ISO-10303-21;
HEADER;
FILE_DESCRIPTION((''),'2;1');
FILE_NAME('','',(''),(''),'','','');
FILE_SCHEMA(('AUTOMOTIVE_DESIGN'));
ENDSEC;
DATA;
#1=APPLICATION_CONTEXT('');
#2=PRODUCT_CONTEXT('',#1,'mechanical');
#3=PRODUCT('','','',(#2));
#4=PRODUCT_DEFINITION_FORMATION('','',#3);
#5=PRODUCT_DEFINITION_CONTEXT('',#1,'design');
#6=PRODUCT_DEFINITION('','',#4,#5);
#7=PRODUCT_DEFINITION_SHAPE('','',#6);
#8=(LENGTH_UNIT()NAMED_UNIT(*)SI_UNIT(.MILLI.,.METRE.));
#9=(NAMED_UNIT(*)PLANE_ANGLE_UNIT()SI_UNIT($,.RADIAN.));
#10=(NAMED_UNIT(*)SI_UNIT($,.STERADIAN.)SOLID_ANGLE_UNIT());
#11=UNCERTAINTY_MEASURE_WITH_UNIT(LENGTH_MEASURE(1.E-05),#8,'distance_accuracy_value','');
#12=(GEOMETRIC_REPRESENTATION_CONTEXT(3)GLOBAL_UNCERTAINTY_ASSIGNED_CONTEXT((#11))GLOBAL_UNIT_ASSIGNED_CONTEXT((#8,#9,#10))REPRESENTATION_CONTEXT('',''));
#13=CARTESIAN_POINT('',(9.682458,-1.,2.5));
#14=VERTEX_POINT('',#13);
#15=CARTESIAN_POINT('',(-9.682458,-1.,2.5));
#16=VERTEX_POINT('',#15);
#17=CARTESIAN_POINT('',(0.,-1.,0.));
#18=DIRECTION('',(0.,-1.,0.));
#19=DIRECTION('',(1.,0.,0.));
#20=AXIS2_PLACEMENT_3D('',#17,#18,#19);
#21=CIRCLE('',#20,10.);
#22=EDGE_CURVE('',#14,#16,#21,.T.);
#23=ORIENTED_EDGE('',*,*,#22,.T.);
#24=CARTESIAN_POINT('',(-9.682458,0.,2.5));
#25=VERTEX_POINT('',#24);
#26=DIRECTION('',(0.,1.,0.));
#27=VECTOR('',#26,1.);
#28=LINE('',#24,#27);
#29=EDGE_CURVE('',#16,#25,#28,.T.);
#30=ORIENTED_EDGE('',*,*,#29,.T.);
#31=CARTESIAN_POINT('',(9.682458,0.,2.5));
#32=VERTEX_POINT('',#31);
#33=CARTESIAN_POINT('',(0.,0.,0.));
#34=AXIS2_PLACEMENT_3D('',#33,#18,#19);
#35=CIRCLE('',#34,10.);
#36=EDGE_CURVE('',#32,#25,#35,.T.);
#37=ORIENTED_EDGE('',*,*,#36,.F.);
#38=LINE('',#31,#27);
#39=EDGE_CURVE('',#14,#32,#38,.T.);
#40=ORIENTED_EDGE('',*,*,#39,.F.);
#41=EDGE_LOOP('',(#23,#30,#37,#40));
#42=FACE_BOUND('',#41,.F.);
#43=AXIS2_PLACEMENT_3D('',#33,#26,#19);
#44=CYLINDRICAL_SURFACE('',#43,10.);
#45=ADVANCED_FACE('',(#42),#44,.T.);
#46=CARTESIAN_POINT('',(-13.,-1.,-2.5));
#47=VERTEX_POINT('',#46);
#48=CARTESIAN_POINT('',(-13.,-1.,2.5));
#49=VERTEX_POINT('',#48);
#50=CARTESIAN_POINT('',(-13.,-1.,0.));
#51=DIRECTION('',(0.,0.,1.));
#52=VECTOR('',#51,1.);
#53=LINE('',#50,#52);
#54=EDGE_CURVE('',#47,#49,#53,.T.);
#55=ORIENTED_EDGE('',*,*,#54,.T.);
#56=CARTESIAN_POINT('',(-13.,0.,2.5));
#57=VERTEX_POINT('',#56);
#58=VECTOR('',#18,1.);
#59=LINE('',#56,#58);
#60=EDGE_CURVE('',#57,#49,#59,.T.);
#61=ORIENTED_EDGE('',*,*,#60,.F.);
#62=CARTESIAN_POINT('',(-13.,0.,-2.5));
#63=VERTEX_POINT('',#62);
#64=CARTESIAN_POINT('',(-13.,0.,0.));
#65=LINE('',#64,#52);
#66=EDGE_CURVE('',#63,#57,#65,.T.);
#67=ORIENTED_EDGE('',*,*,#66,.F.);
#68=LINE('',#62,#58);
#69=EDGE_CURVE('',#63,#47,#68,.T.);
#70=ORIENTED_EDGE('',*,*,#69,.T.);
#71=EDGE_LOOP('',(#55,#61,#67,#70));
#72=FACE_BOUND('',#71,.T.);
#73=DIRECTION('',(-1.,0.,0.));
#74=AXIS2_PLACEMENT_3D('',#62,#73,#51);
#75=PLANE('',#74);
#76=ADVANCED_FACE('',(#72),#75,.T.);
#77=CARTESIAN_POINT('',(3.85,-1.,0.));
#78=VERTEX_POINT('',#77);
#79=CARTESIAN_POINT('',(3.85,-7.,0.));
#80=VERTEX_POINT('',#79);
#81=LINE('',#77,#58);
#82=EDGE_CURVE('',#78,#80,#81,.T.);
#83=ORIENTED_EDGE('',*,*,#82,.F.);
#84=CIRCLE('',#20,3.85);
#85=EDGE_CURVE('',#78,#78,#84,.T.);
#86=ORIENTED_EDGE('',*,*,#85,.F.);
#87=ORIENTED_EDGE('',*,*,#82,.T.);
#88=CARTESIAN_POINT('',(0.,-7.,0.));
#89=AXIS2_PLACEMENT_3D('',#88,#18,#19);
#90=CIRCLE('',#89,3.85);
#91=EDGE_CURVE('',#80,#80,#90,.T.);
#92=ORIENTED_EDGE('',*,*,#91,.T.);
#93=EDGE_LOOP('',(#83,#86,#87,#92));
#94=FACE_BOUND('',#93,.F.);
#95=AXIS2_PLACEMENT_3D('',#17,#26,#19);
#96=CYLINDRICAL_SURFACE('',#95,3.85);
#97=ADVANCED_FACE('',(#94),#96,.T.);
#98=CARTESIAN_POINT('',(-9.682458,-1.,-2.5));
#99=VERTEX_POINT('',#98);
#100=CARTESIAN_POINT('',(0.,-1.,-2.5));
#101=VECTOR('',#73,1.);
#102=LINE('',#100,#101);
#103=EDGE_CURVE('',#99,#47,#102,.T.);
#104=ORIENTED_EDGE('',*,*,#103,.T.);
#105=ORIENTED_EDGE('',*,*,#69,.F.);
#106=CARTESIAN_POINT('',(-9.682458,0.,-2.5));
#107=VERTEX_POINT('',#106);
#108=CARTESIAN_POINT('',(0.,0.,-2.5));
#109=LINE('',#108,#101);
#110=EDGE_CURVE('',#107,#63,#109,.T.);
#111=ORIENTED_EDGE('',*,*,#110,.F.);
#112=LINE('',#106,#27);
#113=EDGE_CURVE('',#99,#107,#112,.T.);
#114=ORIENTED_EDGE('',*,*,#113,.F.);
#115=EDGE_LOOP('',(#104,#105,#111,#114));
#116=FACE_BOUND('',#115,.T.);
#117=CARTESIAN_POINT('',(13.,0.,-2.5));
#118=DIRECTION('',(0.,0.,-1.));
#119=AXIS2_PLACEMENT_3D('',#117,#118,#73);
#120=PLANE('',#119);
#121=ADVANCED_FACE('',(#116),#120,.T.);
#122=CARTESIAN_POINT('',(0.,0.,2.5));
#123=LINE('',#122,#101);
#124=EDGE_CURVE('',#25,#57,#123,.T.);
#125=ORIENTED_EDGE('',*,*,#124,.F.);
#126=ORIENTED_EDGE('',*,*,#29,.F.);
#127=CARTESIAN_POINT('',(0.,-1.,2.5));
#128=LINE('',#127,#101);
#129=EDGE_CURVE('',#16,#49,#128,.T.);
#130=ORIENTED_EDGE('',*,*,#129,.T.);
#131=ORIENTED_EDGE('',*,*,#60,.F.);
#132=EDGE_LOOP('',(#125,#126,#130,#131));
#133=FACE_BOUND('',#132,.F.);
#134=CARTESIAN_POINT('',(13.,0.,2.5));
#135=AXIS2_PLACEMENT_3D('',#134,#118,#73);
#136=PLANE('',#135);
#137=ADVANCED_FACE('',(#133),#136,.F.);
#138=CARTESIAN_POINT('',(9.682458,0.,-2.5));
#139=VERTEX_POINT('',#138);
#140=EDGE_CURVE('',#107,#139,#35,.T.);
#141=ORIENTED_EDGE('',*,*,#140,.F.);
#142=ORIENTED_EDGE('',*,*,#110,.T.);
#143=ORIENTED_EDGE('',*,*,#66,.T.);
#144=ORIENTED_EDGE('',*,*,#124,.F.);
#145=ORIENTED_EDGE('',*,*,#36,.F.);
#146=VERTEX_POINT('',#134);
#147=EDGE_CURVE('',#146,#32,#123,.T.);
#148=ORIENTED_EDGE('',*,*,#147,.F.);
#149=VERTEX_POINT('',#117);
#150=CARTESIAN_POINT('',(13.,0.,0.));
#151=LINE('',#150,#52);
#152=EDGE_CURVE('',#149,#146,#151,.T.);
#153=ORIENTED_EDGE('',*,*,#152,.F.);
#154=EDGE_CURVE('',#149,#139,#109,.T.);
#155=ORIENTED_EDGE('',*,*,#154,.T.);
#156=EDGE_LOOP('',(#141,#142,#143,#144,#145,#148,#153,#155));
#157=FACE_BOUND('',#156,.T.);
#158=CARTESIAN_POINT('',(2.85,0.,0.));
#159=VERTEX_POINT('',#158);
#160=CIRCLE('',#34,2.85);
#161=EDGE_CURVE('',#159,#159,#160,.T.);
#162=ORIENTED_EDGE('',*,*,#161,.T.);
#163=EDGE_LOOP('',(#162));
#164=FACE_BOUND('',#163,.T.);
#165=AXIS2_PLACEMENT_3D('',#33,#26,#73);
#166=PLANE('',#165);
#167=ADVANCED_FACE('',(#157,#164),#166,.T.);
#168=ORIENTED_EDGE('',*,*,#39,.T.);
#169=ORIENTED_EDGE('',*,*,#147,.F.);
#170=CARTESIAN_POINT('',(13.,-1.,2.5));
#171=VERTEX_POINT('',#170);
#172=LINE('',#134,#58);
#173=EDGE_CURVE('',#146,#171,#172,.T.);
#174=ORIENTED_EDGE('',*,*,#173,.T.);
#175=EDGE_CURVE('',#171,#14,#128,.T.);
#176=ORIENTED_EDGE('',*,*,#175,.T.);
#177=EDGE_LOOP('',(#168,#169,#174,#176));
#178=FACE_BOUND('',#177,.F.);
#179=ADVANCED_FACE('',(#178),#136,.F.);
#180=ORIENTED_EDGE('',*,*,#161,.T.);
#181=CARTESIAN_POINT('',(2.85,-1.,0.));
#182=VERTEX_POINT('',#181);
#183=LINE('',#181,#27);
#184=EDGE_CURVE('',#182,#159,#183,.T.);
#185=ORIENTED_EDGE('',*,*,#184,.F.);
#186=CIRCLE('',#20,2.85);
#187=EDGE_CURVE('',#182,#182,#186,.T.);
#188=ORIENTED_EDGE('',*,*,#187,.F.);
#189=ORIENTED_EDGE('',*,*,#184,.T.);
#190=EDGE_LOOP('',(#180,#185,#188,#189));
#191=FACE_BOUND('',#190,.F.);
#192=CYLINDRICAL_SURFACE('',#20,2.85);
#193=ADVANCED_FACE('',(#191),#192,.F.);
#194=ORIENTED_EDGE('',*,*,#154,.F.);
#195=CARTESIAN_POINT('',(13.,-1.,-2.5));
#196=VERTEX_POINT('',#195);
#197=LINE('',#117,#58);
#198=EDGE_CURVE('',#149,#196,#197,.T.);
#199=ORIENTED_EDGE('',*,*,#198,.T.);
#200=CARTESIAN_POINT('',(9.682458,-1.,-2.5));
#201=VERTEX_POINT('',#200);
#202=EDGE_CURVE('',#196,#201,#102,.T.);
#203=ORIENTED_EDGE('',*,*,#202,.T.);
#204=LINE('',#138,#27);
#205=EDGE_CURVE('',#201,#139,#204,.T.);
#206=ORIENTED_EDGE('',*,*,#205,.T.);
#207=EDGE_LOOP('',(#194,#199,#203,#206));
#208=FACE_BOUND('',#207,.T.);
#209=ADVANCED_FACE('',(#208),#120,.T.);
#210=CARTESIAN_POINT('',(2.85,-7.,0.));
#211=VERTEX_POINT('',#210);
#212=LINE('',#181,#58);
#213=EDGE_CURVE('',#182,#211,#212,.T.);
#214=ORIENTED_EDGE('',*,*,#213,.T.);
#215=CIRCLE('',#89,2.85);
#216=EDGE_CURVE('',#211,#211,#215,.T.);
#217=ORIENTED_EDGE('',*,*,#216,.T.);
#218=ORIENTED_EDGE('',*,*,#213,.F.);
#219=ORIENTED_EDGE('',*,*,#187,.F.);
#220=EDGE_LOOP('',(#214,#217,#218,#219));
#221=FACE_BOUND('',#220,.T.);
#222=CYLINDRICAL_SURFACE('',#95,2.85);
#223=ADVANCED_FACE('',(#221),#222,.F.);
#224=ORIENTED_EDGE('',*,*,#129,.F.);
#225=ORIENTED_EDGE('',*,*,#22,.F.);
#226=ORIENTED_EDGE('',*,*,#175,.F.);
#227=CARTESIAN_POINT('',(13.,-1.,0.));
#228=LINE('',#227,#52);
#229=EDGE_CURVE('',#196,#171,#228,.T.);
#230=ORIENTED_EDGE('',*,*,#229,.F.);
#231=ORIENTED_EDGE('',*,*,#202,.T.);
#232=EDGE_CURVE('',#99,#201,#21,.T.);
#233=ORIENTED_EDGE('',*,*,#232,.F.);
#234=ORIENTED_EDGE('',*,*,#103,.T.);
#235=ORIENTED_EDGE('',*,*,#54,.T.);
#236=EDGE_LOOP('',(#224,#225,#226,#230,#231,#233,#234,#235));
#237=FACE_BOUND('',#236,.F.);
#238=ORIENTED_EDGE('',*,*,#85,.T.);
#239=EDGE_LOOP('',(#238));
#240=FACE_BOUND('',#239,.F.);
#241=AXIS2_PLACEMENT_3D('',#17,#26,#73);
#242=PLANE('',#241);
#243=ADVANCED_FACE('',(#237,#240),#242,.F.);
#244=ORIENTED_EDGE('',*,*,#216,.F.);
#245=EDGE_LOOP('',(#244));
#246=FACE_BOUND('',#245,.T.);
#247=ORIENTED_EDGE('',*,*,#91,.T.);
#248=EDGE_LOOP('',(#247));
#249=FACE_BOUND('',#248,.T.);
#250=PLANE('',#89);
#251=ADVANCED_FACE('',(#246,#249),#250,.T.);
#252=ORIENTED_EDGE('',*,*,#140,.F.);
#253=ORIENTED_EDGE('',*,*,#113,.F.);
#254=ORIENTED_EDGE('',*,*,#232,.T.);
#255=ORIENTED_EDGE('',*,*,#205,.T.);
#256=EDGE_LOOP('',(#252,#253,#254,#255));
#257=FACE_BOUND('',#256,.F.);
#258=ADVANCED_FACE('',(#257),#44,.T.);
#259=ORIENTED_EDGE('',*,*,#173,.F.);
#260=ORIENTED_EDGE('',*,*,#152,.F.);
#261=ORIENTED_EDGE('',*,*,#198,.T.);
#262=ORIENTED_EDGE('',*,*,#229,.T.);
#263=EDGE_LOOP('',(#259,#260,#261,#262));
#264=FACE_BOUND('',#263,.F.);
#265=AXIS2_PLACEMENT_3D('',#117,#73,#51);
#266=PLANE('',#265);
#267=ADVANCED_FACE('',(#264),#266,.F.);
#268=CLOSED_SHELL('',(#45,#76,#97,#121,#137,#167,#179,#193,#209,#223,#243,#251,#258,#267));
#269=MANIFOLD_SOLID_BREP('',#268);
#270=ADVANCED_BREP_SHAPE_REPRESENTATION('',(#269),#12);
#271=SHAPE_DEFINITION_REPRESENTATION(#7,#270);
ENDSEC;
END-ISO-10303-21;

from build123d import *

# Parameters (mm, degrees)
F0_R          = 10
F1_DEPTH      = 1
F3_W          = 26
F3_H          = 5
F4_DEPTH      = 1
F5_R          = 3.85
F5_R_2        = 2.85
F7_DEPTH      = 6
F6_R          = 2.85
F8_DEPTH      = 6.001
F8_DEPTH_BACK = 1.001


with BuildPart() as f1:
    # F0 (on Front) → F1 (new body)
    with BuildSketch(Plane.XZ):
        Circle(F0_R)
    extrude(amount=F1_DEPTH)

    # F3 (on face) → F4 (join)
    with BuildSketch(Plane(origin=(0, 0, 0), x_dir=(-1, 0, 0), z_dir=(0, 1, 0))):
        Rectangle(F3_W, F3_H)
    extrude(amount=-F4_DEPTH)

    # F5 (on face) → F7 (join)
    with BuildSketch(Plane.XZ.offset(1)):
        Circle(F5_R)
        Circle(F5_R_2, mode=Mode.SUBTRACT)
    extrude(amount=F7_DEPTH)

    # F6 (on face) → F8 (cut, two sides)
    with BuildSketch(Plane.XZ.offset(1)) as f8_sk:
        Circle(F6_R)
    extrude(amount=F8_DEPTH, mode=Mode.SUBTRACT)
    extrude(f8_sk.sketch, amount=-F8_DEPTH_BACK, mode=Mode.SUBTRACT)


solid = f1.part
